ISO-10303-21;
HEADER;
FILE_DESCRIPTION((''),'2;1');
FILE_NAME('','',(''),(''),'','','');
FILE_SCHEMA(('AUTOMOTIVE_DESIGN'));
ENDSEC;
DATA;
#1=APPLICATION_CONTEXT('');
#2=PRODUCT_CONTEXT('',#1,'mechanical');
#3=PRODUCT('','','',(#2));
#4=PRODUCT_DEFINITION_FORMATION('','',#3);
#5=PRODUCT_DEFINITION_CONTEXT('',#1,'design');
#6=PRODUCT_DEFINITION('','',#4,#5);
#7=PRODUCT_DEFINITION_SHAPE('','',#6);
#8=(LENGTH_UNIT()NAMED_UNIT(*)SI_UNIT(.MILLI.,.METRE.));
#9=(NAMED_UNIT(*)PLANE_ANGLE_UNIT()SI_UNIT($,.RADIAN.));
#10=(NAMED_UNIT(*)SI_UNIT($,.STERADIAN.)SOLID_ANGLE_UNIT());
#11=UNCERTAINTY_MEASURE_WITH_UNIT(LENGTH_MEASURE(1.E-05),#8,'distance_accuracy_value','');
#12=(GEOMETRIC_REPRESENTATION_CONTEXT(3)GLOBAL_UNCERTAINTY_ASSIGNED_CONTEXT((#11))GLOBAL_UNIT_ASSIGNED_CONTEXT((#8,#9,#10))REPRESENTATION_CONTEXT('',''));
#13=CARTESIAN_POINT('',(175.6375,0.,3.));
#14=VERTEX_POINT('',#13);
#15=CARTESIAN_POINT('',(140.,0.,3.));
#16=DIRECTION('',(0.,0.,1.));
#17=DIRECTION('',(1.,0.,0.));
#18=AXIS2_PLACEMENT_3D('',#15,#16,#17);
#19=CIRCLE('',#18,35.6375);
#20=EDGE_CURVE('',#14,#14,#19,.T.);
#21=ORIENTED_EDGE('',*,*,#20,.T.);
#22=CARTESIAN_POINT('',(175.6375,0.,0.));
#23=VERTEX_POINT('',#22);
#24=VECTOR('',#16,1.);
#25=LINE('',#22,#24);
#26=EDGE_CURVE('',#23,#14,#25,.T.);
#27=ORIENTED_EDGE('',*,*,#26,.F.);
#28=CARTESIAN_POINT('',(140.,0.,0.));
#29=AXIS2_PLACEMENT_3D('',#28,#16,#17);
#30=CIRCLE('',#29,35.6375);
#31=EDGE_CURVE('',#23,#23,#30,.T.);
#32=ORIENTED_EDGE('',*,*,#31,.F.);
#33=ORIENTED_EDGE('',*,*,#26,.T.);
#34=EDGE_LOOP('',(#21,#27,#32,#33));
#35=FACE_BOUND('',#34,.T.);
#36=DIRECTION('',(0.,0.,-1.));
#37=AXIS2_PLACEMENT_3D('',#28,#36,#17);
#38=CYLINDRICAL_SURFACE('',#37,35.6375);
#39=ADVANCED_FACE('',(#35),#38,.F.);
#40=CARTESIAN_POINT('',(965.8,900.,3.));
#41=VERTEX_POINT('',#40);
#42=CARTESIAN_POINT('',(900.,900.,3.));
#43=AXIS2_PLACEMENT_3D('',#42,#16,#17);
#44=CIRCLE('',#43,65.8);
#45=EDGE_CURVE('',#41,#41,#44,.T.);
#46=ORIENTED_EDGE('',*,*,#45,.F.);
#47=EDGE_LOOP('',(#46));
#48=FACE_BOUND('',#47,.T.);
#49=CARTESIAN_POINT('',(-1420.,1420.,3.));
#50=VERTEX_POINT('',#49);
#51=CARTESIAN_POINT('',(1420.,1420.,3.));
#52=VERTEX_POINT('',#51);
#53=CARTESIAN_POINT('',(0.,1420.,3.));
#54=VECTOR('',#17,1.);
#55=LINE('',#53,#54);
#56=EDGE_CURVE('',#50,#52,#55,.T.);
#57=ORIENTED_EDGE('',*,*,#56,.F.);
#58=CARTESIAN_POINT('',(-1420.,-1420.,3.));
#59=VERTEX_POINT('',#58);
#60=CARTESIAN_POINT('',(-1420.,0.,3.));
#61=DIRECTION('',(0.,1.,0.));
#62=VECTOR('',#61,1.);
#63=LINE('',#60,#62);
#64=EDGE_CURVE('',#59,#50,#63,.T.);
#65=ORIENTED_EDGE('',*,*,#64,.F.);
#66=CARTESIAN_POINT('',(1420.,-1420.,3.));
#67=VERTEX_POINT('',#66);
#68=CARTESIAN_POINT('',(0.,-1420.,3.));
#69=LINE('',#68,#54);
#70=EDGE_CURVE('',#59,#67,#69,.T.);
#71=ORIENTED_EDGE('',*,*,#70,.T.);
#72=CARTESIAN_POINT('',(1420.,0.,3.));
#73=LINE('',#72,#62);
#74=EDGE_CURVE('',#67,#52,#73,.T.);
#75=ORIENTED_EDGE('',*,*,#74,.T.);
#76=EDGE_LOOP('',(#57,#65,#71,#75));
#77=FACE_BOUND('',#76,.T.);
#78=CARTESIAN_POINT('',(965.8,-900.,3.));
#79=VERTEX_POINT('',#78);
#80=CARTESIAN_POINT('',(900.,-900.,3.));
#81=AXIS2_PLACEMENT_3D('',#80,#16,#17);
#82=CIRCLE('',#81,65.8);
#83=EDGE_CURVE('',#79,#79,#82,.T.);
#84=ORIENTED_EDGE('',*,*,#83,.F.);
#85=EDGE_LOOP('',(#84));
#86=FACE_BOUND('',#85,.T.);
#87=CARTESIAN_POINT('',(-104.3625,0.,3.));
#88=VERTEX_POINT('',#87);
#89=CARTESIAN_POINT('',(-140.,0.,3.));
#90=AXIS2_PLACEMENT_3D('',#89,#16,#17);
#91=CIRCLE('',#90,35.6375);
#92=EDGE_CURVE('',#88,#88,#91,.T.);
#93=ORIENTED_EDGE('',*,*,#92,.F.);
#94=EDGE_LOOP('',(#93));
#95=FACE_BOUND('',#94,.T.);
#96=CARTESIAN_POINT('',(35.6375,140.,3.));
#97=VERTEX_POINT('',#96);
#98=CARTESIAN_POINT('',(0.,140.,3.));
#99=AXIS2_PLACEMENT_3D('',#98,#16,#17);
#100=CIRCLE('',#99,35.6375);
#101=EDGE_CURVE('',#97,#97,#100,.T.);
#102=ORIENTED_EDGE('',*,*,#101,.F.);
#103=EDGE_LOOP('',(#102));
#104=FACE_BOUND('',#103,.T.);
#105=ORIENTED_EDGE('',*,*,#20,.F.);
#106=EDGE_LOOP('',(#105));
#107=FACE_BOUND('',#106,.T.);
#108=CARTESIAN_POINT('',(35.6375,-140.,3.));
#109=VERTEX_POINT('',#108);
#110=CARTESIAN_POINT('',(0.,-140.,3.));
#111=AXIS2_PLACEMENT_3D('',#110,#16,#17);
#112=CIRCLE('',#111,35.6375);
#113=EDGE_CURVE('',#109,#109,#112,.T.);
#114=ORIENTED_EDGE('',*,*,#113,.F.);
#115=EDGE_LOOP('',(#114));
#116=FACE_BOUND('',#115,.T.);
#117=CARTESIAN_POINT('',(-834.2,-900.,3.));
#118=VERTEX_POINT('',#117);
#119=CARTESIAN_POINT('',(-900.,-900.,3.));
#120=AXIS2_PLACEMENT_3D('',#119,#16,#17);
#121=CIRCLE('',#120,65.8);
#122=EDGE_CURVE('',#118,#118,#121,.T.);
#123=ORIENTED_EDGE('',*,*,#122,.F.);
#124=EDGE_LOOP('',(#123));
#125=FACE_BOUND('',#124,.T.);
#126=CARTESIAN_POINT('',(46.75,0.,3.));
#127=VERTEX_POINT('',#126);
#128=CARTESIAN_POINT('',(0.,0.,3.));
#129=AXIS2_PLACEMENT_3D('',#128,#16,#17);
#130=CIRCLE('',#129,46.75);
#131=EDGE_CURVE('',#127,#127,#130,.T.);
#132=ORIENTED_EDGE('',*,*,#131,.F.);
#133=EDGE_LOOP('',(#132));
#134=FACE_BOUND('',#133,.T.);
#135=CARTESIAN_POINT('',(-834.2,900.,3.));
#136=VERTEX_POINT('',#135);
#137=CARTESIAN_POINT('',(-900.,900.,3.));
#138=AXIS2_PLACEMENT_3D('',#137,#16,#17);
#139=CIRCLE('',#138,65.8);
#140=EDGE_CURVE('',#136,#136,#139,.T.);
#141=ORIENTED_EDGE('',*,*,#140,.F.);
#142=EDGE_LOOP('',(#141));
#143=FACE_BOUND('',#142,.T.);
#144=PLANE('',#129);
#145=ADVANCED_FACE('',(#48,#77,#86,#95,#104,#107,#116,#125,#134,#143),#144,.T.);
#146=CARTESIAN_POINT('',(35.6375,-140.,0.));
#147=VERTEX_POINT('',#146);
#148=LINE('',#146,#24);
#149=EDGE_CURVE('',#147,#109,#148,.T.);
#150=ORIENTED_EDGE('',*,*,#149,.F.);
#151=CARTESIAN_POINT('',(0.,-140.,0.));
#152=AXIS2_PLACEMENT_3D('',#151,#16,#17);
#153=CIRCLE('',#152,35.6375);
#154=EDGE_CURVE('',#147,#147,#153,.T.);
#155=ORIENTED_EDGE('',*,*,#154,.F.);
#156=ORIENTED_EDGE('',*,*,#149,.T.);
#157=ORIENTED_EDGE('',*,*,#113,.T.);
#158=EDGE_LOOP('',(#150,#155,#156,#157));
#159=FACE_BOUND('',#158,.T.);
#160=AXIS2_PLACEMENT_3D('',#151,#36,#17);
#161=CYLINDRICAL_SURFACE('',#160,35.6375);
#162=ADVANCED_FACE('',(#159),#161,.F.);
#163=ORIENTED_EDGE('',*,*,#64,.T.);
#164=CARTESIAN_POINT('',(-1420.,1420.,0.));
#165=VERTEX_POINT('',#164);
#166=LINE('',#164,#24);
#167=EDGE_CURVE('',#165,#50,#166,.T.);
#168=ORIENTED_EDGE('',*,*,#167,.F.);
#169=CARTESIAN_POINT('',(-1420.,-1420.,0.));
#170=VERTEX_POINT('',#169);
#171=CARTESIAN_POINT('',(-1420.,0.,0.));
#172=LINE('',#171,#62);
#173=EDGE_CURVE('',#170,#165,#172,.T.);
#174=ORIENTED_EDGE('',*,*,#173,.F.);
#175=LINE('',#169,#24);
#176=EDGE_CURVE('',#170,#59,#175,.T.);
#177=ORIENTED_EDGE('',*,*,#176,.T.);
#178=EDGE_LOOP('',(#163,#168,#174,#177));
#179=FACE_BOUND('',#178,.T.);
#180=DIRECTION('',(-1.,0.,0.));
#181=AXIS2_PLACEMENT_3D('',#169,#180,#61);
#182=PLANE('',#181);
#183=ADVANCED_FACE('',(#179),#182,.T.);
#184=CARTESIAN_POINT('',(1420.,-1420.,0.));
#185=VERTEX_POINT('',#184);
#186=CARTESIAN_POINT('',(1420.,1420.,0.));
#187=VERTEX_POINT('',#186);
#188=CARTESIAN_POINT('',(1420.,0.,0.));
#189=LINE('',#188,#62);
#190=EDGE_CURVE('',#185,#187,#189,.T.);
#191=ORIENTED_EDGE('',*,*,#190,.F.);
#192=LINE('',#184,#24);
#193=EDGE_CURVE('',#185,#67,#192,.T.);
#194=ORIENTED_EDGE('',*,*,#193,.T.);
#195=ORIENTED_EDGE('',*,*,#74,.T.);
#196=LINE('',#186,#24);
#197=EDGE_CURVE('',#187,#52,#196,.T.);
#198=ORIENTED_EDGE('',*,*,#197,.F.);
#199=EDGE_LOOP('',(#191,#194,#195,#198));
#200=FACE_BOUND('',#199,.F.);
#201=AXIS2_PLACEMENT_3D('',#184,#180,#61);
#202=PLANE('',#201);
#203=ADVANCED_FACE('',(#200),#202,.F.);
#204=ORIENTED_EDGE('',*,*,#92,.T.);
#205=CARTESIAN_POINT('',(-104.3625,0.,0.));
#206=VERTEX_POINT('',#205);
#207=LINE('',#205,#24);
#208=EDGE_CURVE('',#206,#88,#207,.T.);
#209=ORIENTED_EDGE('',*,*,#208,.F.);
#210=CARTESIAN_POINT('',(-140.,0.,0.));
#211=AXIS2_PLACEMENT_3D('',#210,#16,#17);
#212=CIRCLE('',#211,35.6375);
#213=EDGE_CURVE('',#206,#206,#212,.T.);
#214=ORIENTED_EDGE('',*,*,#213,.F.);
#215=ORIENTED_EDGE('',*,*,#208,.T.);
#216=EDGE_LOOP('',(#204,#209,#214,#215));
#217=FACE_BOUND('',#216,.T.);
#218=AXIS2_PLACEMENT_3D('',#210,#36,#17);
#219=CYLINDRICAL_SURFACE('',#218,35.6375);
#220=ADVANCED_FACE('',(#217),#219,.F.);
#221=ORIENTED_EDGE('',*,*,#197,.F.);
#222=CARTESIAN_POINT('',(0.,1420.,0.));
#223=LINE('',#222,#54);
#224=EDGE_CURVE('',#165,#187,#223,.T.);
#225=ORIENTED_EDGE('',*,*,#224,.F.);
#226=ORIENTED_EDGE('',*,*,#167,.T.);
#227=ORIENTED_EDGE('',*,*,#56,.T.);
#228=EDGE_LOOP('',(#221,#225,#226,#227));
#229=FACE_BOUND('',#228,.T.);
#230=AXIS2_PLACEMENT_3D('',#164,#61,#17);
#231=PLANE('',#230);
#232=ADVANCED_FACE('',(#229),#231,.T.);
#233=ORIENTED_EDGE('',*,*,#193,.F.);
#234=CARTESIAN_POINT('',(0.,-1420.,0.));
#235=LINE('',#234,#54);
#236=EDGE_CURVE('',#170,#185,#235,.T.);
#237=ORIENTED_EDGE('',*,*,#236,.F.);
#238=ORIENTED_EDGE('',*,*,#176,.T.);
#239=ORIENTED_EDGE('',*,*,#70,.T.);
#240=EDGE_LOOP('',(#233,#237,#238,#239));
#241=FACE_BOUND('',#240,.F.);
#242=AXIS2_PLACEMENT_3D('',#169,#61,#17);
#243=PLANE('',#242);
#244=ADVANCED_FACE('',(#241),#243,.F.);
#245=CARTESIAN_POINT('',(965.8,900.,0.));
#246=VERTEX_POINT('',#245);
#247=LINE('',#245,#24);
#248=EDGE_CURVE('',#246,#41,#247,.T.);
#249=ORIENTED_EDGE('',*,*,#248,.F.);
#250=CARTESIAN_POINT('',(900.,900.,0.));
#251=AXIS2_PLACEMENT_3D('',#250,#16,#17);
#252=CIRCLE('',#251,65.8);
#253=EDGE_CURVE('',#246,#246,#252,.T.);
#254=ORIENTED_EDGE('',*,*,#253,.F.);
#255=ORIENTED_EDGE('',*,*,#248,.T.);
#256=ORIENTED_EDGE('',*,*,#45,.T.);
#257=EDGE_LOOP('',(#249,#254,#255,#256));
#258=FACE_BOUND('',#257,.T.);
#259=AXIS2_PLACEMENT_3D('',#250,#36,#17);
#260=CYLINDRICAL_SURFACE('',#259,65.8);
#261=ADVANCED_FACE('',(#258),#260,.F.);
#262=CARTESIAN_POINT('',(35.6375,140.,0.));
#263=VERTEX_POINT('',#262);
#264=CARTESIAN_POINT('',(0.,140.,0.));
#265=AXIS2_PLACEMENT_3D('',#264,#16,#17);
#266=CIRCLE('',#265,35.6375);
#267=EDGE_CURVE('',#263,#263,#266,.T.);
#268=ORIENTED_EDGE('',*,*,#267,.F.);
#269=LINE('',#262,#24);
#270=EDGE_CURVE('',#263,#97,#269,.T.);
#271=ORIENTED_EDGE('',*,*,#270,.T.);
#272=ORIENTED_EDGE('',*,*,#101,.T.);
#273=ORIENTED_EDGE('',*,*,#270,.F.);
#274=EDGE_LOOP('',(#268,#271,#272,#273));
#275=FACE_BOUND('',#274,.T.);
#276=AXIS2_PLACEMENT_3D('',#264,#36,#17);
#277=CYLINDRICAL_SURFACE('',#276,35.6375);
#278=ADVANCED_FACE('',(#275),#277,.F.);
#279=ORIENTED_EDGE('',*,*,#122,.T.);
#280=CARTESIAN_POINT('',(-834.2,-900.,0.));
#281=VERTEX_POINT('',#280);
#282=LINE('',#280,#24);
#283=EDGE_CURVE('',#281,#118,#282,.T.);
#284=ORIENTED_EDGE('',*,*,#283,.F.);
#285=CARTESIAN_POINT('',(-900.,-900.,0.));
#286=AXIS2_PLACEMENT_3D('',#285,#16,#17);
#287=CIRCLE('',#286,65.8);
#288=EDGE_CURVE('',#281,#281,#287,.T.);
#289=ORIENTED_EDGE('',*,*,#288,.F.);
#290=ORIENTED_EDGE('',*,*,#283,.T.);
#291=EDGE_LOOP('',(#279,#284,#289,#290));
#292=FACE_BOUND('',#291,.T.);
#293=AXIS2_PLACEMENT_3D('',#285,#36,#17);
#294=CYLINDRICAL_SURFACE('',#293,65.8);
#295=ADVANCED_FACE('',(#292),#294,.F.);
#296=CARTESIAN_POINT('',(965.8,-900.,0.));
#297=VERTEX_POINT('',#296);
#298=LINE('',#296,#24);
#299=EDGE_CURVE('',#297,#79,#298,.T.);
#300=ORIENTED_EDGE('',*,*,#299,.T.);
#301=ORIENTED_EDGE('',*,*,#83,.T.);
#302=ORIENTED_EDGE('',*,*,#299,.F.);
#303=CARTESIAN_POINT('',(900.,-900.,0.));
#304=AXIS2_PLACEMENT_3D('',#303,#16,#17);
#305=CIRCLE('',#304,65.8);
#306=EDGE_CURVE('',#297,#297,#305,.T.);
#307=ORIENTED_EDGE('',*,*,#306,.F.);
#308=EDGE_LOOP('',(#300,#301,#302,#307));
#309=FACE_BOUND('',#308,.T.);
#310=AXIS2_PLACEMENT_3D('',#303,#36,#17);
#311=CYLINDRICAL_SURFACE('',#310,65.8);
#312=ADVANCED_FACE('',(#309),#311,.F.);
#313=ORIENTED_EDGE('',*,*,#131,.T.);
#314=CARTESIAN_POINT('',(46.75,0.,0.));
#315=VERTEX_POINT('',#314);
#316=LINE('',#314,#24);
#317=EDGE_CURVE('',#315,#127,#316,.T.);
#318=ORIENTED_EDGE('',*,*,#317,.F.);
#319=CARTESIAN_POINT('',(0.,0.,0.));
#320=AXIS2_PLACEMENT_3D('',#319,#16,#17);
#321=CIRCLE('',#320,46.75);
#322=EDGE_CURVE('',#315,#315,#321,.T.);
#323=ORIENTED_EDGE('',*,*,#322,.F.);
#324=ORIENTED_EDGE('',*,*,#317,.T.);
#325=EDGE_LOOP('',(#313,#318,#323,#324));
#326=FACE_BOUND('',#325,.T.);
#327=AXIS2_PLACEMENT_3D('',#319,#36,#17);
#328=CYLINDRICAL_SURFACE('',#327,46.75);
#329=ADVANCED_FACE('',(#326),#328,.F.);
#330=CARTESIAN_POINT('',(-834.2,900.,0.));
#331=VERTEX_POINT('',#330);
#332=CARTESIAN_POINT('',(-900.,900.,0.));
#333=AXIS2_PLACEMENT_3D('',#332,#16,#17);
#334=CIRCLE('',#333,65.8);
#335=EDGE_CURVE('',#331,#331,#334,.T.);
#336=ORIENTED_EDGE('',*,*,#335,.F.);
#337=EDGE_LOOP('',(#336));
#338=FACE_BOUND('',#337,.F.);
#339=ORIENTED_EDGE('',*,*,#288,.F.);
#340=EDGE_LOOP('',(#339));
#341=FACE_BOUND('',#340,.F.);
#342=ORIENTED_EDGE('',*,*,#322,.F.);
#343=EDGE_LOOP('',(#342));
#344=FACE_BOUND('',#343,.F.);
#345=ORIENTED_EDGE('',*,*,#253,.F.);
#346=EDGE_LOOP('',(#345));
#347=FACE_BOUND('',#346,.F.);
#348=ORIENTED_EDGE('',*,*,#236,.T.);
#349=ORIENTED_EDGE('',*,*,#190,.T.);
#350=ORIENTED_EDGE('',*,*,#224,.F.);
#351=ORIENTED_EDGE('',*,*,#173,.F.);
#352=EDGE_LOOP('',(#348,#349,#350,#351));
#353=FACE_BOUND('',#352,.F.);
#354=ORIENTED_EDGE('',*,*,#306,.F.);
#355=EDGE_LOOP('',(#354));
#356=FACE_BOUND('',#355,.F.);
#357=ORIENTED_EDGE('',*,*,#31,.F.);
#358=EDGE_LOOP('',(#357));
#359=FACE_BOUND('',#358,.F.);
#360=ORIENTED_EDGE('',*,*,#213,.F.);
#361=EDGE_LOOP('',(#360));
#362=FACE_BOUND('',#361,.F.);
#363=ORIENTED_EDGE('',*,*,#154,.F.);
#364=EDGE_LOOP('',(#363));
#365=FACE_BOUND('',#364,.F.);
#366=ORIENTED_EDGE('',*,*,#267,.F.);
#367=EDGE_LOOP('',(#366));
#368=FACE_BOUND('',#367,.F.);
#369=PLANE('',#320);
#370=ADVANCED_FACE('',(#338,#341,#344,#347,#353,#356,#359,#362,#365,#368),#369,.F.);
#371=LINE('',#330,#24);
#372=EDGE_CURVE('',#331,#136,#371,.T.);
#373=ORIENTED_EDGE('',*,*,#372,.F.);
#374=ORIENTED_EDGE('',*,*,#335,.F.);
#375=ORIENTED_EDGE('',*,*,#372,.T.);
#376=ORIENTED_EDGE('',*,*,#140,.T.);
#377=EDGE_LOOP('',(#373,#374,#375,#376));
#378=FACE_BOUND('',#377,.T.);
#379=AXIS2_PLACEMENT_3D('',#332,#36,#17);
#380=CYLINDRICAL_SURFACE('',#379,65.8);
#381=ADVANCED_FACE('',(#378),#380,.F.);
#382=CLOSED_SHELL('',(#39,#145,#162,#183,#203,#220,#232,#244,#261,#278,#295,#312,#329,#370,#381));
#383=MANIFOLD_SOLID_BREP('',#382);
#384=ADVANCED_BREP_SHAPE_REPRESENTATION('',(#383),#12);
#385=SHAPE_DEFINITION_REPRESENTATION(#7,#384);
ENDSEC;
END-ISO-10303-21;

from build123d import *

# Parameters (mm, degrees)
SKETCH1_W           = 2840
SKETCH1_H           = 2840
SKETCH1_R           = 46.75
SKETCH1_R_2         = 35.6375
SKETCH1_R_3         = 65.8
BOSS_EXTRUDE1_DEPTH = 3


with BuildPart() as part:
    # Sketch1 → Boss-Extrude1 (new body)
    with BuildSketch(Plane.XY):
        Rectangle(SKETCH1_W, SKETCH1_H)
        Circle(SKETCH1_R, mode=Mode.SUBTRACT)
        with Locations((0, 140)):
            Circle(SKETCH1_R_2, mode=Mode.SUBTRACT)
        with Locations((-900, 900)):
            Circle(SKETCH1_R_3, mode=Mode.SUBTRACT)
        with Locations((900, -900)):
            Circle(SKETCH1_R_3, mode=Mode.SUBTRACT)
        with Locations((0, -140)):
            Circle(SKETCH1_R_2, mode=Mode.SUBTRACT)
        with Locations((900, 900)):
            Circle(SKETCH1_R_3, mode=Mode.SUBTRACT)
        with Locations((-900, -900)):
            Circle(SKETCH1_R_3, mode=Mode.SUBTRACT)
        with Locations((140, 0)):
            Circle(SKETCH1_R_2, mode=Mode.SUBTRACT)
        with Locations((-140, 0)):
            Circle(SKETCH1_R_2, mode=Mode.SUBTRACT)
    extrude(amount=BOSS_EXTRUDE1_DEPTH)


solid = part.part
